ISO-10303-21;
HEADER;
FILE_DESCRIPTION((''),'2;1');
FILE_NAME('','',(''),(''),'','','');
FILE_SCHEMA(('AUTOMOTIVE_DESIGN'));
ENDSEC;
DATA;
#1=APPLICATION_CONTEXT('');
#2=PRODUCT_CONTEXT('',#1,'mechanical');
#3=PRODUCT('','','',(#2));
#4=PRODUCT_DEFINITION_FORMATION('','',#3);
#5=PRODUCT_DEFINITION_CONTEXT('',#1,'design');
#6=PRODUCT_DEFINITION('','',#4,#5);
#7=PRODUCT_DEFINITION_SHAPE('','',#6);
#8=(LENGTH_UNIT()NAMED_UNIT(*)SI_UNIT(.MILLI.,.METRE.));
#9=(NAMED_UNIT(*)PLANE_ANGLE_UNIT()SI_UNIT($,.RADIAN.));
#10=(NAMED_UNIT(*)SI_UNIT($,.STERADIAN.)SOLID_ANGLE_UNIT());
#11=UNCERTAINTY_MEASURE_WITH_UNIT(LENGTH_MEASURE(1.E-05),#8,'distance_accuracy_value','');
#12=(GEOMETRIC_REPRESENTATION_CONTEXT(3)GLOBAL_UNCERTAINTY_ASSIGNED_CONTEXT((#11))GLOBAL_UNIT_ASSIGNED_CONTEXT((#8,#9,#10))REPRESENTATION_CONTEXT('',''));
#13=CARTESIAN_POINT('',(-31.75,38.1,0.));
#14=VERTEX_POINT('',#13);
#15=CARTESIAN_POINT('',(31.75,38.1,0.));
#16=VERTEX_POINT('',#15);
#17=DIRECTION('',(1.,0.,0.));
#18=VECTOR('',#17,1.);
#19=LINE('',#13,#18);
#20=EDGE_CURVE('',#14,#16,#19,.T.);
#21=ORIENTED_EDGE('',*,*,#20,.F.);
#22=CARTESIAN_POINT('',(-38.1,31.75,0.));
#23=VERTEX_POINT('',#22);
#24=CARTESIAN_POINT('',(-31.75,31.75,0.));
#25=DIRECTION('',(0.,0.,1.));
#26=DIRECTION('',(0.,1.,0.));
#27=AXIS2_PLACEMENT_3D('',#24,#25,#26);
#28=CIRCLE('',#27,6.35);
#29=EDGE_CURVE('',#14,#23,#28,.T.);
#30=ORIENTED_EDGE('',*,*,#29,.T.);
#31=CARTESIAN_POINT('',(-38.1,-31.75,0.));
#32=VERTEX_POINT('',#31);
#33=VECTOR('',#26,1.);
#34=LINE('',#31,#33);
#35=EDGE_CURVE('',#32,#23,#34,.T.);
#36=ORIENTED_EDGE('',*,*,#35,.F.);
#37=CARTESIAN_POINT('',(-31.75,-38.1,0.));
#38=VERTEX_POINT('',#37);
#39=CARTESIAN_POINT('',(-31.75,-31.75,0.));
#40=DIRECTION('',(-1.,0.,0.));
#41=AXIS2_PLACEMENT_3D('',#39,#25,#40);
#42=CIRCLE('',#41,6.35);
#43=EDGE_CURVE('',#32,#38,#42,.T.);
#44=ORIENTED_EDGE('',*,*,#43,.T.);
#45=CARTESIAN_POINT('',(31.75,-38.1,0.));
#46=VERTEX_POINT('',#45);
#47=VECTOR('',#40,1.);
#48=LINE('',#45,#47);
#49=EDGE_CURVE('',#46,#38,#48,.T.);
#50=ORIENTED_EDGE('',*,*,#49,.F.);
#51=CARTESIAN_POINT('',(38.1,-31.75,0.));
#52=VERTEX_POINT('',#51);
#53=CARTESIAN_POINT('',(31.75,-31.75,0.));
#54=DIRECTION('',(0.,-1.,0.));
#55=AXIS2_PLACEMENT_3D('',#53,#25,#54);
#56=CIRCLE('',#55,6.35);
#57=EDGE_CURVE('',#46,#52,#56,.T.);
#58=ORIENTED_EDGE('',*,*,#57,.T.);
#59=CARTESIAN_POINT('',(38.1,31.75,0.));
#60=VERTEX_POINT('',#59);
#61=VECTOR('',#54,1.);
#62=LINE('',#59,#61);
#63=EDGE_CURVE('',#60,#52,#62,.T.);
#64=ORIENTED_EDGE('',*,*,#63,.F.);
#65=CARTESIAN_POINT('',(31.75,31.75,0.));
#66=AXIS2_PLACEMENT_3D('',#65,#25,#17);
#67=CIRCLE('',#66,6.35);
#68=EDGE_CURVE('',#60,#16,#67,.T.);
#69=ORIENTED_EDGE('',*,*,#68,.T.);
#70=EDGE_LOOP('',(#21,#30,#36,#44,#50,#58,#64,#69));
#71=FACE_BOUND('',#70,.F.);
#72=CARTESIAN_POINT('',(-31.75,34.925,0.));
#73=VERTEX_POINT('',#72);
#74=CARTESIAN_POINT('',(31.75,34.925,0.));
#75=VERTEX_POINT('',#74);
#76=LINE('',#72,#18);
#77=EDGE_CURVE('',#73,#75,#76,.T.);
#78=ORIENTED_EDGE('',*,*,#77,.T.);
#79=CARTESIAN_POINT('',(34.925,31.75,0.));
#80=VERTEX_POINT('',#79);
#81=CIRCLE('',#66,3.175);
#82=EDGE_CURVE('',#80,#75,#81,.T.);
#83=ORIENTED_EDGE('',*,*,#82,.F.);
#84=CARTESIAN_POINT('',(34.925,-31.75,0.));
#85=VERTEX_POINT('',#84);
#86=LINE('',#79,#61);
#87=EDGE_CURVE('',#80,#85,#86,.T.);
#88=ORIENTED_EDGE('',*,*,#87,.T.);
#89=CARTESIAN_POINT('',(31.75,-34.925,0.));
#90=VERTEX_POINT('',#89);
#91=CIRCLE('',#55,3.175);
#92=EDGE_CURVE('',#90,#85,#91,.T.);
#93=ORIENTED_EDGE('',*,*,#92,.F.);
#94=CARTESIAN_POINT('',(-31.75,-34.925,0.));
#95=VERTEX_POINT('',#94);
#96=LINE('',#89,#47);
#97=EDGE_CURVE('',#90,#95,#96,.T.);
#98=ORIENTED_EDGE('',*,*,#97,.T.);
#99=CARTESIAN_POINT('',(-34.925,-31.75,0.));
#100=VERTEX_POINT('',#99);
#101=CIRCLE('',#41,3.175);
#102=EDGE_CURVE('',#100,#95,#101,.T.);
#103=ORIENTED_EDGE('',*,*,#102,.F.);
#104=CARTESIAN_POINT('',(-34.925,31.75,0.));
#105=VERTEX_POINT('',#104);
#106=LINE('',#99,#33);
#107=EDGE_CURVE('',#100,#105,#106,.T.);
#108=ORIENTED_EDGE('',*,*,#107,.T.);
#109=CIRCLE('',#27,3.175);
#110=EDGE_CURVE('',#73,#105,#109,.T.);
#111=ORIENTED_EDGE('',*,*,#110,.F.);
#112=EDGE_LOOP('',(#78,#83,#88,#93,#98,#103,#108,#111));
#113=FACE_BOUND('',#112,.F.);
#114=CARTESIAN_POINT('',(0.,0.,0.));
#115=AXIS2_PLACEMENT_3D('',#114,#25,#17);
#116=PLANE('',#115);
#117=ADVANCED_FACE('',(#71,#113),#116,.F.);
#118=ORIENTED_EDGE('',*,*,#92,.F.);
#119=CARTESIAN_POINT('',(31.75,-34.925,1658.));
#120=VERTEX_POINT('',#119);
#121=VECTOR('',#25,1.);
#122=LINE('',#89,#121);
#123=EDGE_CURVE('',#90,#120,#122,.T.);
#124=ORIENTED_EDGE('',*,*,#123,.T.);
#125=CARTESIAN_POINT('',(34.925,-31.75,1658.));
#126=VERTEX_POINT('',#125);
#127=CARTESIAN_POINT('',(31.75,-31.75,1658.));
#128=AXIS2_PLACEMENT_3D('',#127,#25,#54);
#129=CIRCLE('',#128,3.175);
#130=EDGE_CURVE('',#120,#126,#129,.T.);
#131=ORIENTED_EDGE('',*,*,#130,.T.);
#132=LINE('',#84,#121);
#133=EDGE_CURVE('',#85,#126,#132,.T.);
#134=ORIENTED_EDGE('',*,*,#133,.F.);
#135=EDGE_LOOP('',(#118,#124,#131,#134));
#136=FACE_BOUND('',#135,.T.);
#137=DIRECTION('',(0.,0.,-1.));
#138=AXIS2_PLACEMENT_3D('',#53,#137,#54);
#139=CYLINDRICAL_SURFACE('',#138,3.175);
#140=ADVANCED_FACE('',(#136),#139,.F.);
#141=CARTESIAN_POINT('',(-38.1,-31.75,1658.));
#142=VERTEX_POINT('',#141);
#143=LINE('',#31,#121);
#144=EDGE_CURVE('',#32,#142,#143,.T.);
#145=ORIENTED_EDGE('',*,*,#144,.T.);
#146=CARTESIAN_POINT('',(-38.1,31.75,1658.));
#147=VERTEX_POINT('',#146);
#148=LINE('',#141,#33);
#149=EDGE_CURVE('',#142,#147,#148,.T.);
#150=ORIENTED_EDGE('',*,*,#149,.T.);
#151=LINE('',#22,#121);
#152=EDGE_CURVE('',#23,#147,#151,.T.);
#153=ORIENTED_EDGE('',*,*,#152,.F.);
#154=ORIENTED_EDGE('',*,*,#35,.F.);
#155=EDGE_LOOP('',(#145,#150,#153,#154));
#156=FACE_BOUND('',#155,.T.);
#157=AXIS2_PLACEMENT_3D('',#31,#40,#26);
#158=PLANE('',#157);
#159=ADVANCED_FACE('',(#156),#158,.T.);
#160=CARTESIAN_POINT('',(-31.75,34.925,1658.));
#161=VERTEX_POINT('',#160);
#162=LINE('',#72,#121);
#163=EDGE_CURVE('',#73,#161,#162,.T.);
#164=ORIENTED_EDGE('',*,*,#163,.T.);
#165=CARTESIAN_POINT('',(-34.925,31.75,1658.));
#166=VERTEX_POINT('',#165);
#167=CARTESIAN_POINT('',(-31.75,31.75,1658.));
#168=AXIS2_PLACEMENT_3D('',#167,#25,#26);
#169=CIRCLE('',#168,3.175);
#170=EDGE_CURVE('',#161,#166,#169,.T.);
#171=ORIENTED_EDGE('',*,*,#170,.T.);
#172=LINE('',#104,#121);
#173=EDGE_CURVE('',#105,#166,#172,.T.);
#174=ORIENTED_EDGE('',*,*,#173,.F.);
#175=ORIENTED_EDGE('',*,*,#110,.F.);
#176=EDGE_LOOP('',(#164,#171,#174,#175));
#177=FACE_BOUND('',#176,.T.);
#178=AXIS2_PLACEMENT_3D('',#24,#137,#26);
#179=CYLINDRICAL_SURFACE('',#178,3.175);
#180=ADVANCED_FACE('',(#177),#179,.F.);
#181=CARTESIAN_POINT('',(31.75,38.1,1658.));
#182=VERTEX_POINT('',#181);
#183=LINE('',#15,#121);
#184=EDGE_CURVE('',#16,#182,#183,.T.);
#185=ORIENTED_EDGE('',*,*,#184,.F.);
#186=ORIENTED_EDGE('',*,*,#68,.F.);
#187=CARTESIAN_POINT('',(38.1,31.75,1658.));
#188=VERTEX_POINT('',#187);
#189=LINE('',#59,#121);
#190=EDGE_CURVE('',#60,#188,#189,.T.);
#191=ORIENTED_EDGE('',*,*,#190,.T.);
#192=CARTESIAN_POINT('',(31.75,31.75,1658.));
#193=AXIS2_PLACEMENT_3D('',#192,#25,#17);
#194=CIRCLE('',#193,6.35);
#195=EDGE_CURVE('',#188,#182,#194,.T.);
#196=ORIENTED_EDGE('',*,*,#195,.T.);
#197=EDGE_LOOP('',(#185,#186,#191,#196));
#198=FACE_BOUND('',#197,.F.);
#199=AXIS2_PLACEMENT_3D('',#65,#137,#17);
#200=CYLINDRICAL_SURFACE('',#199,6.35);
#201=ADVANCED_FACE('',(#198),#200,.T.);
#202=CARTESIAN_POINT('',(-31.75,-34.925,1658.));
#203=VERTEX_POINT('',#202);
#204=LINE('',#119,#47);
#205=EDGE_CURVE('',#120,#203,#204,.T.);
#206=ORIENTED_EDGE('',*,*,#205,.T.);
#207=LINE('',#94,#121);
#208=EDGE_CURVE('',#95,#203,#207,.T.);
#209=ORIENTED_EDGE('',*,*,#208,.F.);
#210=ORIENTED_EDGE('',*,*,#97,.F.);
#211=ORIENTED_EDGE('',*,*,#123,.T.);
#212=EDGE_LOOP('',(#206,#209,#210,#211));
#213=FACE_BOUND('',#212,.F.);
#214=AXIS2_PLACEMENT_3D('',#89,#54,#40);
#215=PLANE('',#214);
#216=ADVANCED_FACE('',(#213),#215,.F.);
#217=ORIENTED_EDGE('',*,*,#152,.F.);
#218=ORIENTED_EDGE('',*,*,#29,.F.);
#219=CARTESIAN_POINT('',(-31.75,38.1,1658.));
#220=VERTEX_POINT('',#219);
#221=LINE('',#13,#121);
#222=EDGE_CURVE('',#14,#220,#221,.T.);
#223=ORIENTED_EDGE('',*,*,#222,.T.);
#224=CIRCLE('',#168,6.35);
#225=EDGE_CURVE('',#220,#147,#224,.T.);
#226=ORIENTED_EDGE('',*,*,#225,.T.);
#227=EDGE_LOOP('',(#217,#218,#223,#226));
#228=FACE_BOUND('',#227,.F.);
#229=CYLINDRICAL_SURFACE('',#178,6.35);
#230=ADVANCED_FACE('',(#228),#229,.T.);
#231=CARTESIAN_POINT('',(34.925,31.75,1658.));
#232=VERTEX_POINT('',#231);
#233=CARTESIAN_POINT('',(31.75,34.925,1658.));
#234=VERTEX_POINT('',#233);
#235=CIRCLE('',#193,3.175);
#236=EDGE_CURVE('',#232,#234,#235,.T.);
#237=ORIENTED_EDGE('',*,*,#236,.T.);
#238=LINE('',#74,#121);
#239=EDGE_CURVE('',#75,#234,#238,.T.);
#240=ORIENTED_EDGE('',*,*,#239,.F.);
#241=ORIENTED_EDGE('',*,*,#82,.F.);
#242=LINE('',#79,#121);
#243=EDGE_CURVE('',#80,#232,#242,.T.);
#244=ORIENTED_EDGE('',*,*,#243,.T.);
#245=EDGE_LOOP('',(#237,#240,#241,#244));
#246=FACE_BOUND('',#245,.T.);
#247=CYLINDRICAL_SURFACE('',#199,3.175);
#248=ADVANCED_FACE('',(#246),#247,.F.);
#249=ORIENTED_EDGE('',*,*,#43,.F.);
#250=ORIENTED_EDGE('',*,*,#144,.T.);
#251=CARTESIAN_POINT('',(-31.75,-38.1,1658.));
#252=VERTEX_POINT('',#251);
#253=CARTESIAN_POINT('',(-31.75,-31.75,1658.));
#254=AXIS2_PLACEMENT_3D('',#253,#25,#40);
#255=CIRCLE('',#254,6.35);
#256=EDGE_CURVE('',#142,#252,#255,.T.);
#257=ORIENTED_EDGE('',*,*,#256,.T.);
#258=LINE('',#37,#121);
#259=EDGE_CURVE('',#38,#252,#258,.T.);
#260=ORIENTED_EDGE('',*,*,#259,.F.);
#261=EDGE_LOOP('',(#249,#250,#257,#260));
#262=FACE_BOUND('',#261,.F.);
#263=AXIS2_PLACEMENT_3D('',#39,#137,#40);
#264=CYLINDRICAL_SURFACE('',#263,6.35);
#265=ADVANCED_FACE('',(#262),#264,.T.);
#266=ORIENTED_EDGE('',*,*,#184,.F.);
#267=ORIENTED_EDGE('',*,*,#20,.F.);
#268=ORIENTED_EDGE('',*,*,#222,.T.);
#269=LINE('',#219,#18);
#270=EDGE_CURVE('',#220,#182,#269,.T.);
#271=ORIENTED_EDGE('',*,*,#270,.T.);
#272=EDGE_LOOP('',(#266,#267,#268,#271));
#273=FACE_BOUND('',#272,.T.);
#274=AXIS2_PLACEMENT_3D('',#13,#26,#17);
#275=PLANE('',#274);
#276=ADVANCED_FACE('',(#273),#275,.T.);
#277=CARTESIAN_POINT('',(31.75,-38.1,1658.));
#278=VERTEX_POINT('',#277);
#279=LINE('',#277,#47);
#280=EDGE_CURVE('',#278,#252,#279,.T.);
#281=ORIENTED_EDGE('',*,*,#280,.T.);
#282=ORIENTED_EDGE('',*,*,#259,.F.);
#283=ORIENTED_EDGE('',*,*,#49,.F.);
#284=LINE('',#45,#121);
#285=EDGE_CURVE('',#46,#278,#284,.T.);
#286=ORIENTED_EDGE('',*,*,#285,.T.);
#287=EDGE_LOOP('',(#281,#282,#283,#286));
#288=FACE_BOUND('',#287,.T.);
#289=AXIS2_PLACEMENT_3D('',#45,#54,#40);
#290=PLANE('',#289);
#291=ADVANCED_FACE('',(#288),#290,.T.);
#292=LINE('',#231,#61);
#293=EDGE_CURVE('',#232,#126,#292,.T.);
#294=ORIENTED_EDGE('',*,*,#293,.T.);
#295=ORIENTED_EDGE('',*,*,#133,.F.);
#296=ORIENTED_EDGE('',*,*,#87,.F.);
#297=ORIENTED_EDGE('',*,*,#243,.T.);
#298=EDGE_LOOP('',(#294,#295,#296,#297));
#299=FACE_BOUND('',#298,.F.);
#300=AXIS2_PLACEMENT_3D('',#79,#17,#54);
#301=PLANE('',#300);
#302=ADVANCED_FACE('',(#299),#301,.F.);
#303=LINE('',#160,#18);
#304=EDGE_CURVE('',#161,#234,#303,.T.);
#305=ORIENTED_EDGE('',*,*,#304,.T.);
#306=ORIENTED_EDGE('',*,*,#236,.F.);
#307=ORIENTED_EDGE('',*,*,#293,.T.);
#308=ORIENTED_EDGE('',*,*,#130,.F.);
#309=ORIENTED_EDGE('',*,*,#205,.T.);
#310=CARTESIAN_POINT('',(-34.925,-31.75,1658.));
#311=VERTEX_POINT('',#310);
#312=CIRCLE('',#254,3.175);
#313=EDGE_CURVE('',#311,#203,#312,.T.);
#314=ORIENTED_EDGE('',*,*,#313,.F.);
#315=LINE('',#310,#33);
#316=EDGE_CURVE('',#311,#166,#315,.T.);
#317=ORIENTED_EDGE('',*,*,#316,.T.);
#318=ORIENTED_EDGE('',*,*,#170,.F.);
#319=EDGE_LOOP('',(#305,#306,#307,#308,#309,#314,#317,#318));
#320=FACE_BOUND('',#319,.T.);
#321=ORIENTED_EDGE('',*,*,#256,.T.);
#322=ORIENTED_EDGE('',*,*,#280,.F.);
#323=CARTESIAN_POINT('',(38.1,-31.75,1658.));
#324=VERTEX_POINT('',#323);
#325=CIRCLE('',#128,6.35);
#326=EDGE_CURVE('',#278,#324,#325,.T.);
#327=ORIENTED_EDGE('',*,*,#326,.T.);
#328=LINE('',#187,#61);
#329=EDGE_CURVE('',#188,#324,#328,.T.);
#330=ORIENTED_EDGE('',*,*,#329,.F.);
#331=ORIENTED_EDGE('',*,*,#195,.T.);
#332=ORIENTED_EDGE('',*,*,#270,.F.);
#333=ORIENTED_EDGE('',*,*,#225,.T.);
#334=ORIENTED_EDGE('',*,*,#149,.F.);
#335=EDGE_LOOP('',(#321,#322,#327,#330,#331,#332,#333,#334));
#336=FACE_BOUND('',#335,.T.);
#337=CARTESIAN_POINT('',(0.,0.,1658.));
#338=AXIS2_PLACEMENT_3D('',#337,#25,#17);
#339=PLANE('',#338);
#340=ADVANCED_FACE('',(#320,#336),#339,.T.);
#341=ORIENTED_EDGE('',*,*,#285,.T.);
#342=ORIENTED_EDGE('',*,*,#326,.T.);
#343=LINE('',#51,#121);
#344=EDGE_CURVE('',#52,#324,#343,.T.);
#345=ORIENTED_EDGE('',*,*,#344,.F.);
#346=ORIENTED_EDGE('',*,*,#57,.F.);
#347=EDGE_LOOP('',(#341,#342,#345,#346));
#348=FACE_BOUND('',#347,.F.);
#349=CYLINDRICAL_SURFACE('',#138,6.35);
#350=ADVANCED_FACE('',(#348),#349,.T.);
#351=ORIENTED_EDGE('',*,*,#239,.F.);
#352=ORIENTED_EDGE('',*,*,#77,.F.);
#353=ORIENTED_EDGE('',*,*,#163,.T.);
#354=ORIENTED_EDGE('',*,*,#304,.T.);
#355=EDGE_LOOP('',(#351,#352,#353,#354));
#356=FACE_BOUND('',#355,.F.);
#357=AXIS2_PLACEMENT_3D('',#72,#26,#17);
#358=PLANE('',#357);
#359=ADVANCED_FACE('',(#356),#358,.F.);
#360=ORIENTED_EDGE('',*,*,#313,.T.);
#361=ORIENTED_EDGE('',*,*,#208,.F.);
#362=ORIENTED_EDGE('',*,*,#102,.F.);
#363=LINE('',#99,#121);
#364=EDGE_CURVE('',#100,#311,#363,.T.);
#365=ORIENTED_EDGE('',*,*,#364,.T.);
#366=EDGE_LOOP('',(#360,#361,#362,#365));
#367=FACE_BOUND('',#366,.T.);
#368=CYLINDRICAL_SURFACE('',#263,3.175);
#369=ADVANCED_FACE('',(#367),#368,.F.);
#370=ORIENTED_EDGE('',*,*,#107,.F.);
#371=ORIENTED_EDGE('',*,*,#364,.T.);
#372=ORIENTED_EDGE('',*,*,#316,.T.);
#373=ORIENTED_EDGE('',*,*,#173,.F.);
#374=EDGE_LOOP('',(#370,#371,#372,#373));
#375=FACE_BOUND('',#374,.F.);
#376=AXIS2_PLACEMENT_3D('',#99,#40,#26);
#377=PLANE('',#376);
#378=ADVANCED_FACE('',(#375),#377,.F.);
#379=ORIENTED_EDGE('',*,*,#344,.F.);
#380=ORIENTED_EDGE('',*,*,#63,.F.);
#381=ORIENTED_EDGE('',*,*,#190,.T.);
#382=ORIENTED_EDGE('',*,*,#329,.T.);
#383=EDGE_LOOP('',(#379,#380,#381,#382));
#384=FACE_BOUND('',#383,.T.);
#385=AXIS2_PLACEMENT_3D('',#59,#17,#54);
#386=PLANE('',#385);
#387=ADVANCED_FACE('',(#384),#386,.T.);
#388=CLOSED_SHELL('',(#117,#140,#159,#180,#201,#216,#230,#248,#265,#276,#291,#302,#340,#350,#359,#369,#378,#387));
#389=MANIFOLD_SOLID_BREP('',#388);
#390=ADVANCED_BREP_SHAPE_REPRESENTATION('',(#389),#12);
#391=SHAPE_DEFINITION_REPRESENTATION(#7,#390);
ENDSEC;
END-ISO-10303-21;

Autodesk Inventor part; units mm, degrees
ref_plane "YZ Plane" through (0, 0, 0) normal (1, 0, 0) x (0, 1, 0)
ref_plane "Start plane" through (0, 0, 0) normal (0, 0, 1) x (1, 0, 0)
ref_plane "End plane" through (0, 0, 1658) normal (0, 0, 1) x (1, 0, 0)
sketch "Sketch" plane through (0, 0, 0) normal (0, 0, 1) x (1, 0, 0)
  line L0 (-38.1, -31.75) -> (-38.1, 31.75)
  line L1 (-31.75, 38.1) -> (31.75, 38.1)
  line L2 (38.1, 31.75) -> (38.1, -31.75)
  line L3 (31.75, -38.1) -> (-31.75, -38.1)
  arc A0 (-38.1, -31.75) -> (-31.75, -38.1) centre (-31.75, -31.75) ccw
  arc A1 (-31.75, 38.1) -> (-38.1, 31.75) centre (-31.75, 31.75) ccw
  arc A2 (38.1, 31.75) -> (31.75, 38.1) centre (31.75, 31.75) ccw
  arc A3 (31.75, -38.1) -> (38.1, -31.75) centre (31.75, -31.75) ccw
  arc A4 (-31.75, 34.925) -> (-34.925, 31.75) centre (-31.75, 31.75) ccw
  line L4 (-31.75, 34.925) -> (31.75, 34.925)
  arc A5 (34.925, 31.75) -> (31.75, 34.925) centre (31.75, 31.75) ccw
  line L5 (34.925, 31.75) -> (34.925, -31.75)
  arc A6 (31.75, -34.925) -> (34.925, -31.75) centre (31.75, -31.75) ccw
  line L6 (31.75, -34.925) -> (-31.75, -34.925)
  arc A7 (-34.925, -31.75) -> (-31.75, -34.925) centre (-31.75, -31.75) ccw
  line L7 (-34.925, -31.75) -> (-34.925, 31.75)
  line L8 (0, 55.1812) -> (0, -55.1812) construction
  line L9 (-55.1812, 0) -> (55.1812, 0) construction
  dimension "d10" = 76.2
  dimension "d11" = 76.2
  dimension "d12" = 3.175
  dimension "d15" = 38.1
  dimension "d16" = 38.1
  dimension "d17" = 6.35
extrude "Body" add sketch "Sketch" along normal up to surface (1658 mm away) from surface at 0
sketch "Sketch3" plane through (0, 0, 0) normal (0, 0, 1) x (1, 0, 0)
  line L0 (0, 0) -> (10, 0)
ref_plane "Work Plane3" through (0, 0, 0) normal (0, -1, 0) x (1, 0, 0)
sketch "Sketch4" plane through (0, 0, 0) normal (0, -1, 0) x (1, 0, 0)
  line L0 (-2, 0) -> (12, 0)
  line L1 (-2, 1658) -> (12, 1658)
  dimension "d19" = 1658
equation "\"d10\" = G_H"
equation "\"d11\" = G_W"
equation "\"d12\" = G_T"
equation "\"d15\" = 0.5 * d10"
equation "\"d16\" = 0.5 * d11"
equation "\"d17\" = G_IR"
equation "\"d3\" = G_L"
equation "\"G_W\" = 76.2"
equation "\"G_H\" = 76.2"
equation "\"G_T\" = 3.175"
equation "\"G_IR\" = 6.35"
equation "\"G_L\" = d19"
equation "\"G_OFFSET_START\" = 0"
equation "\"G_OFFSET_END\" = 0"
equation "\"d14\" = G_OFFSET_END + B_L"
equation "\"B_L\" = 1658"
properties part number "AISC - 3 x 3 x 1/8 - 65,276" material "Steel, Mild"
